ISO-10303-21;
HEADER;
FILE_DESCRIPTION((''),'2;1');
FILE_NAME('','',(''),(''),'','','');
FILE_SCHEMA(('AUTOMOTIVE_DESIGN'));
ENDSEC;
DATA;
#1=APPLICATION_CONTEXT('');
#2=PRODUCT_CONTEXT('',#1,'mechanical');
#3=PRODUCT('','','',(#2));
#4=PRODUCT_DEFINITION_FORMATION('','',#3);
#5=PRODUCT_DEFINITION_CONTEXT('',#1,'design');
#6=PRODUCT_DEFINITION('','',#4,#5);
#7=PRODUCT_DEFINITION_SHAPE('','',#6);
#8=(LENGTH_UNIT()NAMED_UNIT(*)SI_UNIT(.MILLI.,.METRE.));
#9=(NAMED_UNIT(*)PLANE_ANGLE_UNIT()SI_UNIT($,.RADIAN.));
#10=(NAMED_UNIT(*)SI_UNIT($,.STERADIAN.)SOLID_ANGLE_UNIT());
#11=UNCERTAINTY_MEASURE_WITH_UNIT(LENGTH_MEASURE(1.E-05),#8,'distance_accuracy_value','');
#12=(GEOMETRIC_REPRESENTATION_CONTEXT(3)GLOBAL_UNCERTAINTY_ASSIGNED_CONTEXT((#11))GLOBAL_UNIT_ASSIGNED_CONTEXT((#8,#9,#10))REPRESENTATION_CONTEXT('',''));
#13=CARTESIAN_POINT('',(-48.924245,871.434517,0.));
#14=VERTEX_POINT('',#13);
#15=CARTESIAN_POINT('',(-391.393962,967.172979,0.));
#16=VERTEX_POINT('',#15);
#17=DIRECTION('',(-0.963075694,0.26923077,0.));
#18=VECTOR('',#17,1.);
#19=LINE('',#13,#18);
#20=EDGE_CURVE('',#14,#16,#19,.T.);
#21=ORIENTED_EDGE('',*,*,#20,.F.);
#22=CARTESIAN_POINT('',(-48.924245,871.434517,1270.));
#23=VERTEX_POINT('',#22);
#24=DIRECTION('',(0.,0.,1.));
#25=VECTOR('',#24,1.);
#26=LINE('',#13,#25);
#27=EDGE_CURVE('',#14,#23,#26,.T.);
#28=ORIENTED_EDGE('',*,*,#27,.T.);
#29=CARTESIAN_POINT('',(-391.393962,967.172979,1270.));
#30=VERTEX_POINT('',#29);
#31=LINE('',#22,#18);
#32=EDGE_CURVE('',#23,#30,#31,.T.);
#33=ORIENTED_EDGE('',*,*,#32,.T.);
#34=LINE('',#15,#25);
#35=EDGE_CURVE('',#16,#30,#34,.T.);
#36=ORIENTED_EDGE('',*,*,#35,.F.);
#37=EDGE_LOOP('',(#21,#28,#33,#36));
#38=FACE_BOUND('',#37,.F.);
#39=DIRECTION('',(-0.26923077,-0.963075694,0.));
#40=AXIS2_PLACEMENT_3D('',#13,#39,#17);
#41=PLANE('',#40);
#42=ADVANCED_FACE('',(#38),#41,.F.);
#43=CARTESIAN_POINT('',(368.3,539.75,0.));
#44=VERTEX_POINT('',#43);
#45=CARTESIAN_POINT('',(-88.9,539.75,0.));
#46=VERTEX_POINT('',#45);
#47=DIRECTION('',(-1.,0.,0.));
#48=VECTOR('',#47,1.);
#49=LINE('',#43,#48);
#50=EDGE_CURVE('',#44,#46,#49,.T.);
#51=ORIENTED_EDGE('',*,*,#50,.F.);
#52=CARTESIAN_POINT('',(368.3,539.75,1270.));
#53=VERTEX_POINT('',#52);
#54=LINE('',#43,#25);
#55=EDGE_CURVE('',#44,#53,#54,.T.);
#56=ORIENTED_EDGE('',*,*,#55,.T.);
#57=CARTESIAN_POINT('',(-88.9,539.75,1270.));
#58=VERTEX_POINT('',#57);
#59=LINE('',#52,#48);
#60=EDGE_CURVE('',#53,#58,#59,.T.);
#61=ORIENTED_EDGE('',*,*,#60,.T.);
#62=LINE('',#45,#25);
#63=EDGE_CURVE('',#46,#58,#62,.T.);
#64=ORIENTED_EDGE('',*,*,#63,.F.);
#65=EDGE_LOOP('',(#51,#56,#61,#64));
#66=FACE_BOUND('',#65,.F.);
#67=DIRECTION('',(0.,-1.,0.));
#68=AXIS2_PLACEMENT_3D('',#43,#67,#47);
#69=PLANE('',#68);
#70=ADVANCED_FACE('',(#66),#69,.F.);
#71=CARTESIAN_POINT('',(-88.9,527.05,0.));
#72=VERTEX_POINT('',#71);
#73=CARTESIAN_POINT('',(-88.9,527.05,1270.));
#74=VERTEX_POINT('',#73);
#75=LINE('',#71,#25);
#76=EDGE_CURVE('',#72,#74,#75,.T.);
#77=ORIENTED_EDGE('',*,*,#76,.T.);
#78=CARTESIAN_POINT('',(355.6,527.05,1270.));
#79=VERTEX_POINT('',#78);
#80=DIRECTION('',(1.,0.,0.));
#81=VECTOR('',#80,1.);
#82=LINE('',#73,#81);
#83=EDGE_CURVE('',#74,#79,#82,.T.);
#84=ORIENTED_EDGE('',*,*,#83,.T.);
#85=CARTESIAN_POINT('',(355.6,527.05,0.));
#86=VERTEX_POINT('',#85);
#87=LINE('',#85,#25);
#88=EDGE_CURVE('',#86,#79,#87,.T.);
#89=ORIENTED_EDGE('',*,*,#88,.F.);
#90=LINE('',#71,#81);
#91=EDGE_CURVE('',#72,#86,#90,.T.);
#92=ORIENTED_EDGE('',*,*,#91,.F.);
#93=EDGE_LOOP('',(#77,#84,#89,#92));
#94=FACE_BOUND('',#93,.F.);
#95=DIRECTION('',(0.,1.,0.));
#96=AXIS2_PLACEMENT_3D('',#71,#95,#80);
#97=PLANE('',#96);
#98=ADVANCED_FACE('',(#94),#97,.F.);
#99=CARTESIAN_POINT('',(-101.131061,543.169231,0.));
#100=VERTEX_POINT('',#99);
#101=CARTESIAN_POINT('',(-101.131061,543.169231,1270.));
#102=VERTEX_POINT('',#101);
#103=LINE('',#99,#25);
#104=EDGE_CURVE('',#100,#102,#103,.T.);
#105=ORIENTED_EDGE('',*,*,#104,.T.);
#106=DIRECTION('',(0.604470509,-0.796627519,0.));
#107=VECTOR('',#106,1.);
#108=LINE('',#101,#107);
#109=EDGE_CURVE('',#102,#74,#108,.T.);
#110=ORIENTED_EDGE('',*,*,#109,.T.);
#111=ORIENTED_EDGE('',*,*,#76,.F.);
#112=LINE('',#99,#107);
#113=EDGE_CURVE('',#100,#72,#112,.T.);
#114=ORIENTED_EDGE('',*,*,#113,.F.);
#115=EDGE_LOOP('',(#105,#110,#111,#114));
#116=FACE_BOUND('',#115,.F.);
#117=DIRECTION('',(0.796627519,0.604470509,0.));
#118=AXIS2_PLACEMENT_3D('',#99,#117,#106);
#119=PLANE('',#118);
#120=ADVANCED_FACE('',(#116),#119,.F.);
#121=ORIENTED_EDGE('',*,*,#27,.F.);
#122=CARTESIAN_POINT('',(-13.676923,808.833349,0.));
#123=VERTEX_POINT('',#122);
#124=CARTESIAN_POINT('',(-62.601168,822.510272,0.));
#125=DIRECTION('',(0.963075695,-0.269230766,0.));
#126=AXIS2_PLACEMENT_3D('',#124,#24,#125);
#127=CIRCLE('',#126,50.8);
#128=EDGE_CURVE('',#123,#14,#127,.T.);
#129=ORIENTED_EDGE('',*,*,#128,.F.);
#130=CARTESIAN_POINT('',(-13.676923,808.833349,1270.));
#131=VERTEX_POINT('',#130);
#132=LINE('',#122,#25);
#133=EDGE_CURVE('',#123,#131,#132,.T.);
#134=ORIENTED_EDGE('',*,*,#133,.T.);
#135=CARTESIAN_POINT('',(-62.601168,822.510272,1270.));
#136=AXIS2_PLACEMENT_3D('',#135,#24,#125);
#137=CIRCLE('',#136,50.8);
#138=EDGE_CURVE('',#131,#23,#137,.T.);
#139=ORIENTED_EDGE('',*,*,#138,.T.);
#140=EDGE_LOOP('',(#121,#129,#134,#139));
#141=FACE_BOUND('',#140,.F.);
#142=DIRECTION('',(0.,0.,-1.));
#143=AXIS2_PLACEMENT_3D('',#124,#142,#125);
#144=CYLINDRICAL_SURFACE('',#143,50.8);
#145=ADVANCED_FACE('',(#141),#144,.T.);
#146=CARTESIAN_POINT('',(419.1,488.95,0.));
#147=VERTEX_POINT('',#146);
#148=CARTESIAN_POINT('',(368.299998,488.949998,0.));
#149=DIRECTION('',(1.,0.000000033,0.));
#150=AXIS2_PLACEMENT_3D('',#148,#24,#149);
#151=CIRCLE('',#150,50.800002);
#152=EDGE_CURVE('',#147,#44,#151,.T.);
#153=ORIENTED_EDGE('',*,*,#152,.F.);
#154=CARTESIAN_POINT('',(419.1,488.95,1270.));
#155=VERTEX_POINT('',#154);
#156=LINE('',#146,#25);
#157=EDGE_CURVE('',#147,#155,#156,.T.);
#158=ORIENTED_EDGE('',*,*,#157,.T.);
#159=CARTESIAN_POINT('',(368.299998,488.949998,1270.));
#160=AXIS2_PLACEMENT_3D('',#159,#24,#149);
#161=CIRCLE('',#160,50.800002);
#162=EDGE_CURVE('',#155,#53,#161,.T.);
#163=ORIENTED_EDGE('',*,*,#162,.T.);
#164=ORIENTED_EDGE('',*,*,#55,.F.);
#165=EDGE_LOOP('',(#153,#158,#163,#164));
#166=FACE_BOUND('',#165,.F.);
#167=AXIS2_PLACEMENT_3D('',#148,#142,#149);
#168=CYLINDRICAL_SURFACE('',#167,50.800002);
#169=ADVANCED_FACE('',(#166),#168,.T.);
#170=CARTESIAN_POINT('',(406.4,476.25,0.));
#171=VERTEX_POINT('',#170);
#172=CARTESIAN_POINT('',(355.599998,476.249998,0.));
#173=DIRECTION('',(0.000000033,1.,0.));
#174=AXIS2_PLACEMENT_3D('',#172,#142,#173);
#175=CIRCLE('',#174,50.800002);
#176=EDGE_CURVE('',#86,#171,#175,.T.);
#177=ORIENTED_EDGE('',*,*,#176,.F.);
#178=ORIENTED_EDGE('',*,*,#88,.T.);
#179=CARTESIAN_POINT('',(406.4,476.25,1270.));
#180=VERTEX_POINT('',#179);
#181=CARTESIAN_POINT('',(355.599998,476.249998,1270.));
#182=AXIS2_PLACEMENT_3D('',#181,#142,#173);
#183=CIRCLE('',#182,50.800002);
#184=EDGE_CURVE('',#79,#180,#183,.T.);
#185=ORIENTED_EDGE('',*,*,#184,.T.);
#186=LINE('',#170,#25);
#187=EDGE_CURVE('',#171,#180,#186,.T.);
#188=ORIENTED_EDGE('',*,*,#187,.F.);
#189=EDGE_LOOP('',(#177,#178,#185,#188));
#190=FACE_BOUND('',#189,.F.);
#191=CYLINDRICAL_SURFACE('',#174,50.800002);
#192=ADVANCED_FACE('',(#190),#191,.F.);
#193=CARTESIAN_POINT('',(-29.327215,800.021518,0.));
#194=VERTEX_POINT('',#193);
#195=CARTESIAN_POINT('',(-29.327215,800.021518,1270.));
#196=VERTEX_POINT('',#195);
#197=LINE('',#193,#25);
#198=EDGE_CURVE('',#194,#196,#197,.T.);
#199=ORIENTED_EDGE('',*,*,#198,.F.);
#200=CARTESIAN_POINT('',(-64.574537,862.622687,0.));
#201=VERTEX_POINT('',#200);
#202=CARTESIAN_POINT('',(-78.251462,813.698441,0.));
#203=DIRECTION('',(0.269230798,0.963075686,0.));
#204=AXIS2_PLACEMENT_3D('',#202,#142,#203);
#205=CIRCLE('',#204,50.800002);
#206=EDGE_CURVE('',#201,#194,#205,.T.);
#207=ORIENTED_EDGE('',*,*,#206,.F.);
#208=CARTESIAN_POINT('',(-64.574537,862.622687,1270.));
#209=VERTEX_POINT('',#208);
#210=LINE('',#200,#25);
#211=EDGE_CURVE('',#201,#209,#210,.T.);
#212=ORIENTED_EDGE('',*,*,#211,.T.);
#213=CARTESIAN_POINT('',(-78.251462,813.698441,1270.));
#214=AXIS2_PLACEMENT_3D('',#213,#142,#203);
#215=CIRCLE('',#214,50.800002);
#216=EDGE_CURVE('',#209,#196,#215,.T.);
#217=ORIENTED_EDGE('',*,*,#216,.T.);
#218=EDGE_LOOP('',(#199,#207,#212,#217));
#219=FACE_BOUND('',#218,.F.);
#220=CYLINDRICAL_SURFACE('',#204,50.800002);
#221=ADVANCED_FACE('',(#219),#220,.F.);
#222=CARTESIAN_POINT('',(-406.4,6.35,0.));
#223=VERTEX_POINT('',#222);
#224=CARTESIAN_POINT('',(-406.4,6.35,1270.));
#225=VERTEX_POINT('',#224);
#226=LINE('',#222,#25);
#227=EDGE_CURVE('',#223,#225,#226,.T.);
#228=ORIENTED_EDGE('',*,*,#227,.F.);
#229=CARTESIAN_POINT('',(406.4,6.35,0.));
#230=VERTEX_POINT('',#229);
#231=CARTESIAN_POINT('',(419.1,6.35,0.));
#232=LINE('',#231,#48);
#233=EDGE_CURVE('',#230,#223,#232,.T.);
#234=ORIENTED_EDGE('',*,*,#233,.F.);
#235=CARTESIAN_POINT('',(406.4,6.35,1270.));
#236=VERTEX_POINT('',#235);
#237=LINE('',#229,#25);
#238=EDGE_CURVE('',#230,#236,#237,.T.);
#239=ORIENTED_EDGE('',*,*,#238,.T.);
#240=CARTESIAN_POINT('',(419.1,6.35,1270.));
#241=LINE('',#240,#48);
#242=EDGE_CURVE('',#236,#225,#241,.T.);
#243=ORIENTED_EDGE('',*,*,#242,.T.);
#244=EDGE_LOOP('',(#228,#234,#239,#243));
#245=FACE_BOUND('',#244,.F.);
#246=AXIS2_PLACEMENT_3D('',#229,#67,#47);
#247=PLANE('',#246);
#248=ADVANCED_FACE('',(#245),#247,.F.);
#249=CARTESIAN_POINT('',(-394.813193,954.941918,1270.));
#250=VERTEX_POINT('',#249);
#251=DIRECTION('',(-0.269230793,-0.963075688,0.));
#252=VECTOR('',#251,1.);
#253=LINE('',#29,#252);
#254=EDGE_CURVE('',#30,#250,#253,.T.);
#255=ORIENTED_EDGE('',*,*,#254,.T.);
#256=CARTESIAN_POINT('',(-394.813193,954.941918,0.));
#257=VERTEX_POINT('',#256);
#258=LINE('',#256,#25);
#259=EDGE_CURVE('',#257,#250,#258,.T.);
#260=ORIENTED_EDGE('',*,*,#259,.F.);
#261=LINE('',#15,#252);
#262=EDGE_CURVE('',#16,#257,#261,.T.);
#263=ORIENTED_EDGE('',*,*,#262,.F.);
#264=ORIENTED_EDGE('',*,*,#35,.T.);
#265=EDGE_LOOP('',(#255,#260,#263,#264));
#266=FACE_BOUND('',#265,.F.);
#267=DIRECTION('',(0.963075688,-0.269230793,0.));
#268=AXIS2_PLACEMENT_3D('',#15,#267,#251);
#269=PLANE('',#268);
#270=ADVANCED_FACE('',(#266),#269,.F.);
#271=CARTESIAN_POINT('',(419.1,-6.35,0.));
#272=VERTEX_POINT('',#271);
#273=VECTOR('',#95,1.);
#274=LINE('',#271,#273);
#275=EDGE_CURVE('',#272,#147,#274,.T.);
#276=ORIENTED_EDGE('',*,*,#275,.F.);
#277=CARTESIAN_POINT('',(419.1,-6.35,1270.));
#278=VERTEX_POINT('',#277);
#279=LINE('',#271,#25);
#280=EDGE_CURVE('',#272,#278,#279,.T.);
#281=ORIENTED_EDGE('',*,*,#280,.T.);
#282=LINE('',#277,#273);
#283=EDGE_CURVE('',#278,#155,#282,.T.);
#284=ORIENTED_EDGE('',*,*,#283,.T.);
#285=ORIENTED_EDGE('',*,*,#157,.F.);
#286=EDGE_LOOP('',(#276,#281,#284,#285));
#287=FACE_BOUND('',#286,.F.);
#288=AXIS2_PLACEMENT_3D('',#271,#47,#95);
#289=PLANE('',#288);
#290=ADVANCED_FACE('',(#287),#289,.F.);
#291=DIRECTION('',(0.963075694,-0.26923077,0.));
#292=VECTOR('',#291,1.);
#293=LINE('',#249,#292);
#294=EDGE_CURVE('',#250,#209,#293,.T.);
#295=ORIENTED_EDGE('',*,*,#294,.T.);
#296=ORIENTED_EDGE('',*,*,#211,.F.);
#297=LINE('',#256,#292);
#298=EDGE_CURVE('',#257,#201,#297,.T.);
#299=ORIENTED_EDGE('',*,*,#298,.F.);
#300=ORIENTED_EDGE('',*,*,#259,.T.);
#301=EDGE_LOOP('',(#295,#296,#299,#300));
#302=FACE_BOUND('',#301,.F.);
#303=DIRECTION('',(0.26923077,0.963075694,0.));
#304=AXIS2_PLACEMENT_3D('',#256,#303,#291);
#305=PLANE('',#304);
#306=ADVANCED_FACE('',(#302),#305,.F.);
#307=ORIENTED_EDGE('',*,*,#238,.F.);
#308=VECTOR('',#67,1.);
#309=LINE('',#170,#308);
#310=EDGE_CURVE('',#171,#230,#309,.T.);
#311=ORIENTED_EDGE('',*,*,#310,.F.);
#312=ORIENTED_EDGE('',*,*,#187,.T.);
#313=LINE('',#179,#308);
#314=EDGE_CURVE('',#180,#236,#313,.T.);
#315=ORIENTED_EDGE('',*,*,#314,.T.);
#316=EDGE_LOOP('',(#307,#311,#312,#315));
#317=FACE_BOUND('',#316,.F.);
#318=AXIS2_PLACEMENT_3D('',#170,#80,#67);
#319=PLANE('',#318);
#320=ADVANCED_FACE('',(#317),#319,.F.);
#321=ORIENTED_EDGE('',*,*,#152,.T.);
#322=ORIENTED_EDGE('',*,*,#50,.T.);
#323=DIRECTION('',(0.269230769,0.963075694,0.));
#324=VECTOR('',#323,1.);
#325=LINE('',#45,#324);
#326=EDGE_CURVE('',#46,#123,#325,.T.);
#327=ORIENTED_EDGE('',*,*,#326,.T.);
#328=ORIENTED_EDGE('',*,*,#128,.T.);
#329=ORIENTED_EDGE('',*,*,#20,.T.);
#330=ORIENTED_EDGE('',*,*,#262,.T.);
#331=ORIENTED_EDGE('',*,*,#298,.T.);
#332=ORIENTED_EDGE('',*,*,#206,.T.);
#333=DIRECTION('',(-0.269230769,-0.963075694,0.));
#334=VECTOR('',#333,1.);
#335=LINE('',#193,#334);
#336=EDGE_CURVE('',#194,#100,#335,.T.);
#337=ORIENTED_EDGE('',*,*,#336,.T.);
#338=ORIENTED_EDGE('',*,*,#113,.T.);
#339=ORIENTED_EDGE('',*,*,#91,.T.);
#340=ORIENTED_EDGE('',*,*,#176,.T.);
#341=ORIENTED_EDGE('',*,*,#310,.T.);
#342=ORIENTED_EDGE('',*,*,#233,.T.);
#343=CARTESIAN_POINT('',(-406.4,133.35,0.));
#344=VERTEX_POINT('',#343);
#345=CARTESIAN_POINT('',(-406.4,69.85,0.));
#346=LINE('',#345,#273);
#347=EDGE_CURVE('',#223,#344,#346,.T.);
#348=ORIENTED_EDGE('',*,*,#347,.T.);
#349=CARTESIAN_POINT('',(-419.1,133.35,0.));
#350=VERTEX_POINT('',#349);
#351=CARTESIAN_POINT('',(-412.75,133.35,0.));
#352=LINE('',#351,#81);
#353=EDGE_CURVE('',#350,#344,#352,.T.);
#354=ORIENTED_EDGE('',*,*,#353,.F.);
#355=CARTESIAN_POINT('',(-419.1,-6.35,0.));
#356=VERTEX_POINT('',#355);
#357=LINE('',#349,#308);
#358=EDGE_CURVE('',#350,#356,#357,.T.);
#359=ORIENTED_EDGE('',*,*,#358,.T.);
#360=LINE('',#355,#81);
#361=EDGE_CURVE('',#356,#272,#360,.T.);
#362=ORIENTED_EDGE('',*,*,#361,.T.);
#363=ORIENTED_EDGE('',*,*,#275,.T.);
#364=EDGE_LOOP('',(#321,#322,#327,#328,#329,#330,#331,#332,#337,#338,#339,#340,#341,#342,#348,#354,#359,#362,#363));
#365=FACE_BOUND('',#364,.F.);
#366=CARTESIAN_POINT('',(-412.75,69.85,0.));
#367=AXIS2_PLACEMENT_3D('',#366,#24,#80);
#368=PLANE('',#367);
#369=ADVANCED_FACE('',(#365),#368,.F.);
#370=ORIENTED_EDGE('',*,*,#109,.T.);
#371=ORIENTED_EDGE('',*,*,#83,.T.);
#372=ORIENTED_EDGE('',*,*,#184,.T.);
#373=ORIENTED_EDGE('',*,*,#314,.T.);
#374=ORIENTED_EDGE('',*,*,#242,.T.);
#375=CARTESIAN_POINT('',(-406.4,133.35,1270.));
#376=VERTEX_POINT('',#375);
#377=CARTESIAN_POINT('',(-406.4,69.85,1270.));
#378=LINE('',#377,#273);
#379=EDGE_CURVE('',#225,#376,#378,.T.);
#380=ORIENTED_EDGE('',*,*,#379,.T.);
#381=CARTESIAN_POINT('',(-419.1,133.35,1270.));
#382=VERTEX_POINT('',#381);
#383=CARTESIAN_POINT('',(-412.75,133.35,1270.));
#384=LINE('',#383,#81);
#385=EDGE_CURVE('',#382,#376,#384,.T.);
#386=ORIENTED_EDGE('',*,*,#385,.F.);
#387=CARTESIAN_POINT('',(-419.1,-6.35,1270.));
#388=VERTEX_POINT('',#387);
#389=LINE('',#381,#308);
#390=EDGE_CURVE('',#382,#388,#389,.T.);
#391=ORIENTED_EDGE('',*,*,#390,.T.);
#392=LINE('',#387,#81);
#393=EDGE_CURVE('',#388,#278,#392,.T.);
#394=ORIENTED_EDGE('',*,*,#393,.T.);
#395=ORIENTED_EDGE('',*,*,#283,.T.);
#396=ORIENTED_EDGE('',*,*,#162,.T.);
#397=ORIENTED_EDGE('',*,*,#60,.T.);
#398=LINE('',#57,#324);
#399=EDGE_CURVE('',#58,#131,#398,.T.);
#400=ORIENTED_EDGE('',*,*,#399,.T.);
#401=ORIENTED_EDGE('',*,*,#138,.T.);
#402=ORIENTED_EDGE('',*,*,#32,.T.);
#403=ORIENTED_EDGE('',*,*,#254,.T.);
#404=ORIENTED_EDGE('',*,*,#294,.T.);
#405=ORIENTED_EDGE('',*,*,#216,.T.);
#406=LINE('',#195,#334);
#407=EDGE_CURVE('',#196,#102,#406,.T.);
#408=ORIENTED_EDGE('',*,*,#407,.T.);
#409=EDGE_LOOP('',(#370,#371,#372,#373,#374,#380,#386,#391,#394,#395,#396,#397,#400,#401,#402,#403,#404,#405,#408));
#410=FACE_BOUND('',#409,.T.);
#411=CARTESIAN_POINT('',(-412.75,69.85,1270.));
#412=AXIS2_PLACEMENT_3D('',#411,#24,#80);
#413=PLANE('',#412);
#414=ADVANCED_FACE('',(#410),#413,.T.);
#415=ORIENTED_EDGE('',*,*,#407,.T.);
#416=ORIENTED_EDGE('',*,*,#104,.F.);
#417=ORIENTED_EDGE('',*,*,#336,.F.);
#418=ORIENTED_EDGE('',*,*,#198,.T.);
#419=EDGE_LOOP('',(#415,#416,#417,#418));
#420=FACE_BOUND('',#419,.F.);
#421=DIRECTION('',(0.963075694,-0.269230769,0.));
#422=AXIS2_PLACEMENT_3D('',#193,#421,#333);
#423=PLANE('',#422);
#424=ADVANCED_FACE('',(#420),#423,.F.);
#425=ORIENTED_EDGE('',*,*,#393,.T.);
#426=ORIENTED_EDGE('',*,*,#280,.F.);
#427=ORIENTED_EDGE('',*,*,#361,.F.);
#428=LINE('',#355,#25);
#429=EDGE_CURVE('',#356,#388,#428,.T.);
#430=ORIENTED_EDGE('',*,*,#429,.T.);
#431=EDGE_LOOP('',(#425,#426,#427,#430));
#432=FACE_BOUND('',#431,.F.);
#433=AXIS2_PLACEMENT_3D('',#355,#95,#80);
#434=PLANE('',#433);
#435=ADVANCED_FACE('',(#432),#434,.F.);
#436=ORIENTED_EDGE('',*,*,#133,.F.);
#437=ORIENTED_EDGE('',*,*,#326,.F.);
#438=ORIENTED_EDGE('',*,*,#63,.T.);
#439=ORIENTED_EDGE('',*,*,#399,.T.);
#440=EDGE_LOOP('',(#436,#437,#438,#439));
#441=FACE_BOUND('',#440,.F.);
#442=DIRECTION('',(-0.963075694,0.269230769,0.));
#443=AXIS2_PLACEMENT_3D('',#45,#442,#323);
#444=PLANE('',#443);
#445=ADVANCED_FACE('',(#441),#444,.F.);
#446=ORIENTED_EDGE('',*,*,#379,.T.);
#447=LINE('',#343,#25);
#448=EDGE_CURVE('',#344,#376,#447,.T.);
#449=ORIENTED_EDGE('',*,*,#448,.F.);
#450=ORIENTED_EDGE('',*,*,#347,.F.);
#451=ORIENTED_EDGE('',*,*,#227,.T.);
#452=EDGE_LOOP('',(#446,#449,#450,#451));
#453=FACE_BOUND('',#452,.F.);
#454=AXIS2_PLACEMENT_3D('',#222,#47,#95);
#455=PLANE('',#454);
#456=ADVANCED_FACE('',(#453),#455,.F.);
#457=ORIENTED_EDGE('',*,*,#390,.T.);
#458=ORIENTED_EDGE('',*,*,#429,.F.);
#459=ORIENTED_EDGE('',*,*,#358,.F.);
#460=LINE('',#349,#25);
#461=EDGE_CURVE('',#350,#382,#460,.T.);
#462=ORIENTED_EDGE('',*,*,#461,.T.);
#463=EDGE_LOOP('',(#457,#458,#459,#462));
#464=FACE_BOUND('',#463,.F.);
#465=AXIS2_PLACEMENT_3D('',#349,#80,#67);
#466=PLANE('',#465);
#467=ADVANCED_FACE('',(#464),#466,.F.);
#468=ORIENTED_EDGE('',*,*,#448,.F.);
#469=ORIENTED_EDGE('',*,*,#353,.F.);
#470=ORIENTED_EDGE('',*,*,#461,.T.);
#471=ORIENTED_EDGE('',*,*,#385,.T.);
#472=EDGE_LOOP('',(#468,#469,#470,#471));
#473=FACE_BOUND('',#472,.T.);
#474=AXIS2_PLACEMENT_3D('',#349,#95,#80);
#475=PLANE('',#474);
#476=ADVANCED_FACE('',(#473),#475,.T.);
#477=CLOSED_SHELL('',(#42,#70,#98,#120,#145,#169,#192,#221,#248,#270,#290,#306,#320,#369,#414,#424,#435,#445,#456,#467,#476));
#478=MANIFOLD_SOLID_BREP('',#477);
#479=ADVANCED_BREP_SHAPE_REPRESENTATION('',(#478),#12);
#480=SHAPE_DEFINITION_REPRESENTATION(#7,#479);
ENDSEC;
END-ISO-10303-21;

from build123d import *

# Parameters (mm, degrees)
F0_W     = 12.7
F0_H     = 127
F1_DEPTH = 1270


with BuildPart() as f1:
    # F0 (on Top) → F1 (new body)
    with BuildSketch(Plane.XY):
        with Locations((-412.75, 69.85)):
            Rectangle(F0_W, F0_H)
        Polygon((-406.4, 6.35), (-419.1, 6.35), (-419.1, -6.35), (419.1, -6.35), (419.1, 6.35), (406.4, 6.35), align=None)
        with BuildLine():
            Line((406.4, 476.25), (406.4, 6.35))
            Line((406.4, 6.35), (419.1, 6.35))
            Line((419.1, 6.35), (419.1, 488.95))
            ThreePointArc((419.1, 488.95), (404.221024, 524.871024), (368.3, 539.75))
            Line((368.3, 539.75), (-88.9, 539.75))
            Line((-88.9, 539.75), (-13.676923, 808.833349))
            ThreePointArc((-13.676923, 808.833349), (-18.335458, 847.433893), (-48.924245, 871.434517))
            Line((-48.924245, 871.434517), (-391.393962, 967.172979))
            Line((-391.393962, 967.172979), (-394.813193, 954.941918))
            Line((-394.813193, 954.941918), (-64.574537, 862.622687))
            ThreePointArc((-64.574537, 862.622687), (-33.98575, 838.622062), (-29.327215, 800.021518))
            Line((-29.327215, 800.021518), (-101.131061, 543.169231))
            Line((-101.131061, 543.169231), (-88.9, 527.05))
            Line((-88.9, 527.05), (355.6, 527.05))
            ThreePointArc((355.6, 527.05), (391.521024, 512.171024), (406.4, 476.25))
        make_face()
    extrude(amount=F1_DEPTH)


solid = f1.part
